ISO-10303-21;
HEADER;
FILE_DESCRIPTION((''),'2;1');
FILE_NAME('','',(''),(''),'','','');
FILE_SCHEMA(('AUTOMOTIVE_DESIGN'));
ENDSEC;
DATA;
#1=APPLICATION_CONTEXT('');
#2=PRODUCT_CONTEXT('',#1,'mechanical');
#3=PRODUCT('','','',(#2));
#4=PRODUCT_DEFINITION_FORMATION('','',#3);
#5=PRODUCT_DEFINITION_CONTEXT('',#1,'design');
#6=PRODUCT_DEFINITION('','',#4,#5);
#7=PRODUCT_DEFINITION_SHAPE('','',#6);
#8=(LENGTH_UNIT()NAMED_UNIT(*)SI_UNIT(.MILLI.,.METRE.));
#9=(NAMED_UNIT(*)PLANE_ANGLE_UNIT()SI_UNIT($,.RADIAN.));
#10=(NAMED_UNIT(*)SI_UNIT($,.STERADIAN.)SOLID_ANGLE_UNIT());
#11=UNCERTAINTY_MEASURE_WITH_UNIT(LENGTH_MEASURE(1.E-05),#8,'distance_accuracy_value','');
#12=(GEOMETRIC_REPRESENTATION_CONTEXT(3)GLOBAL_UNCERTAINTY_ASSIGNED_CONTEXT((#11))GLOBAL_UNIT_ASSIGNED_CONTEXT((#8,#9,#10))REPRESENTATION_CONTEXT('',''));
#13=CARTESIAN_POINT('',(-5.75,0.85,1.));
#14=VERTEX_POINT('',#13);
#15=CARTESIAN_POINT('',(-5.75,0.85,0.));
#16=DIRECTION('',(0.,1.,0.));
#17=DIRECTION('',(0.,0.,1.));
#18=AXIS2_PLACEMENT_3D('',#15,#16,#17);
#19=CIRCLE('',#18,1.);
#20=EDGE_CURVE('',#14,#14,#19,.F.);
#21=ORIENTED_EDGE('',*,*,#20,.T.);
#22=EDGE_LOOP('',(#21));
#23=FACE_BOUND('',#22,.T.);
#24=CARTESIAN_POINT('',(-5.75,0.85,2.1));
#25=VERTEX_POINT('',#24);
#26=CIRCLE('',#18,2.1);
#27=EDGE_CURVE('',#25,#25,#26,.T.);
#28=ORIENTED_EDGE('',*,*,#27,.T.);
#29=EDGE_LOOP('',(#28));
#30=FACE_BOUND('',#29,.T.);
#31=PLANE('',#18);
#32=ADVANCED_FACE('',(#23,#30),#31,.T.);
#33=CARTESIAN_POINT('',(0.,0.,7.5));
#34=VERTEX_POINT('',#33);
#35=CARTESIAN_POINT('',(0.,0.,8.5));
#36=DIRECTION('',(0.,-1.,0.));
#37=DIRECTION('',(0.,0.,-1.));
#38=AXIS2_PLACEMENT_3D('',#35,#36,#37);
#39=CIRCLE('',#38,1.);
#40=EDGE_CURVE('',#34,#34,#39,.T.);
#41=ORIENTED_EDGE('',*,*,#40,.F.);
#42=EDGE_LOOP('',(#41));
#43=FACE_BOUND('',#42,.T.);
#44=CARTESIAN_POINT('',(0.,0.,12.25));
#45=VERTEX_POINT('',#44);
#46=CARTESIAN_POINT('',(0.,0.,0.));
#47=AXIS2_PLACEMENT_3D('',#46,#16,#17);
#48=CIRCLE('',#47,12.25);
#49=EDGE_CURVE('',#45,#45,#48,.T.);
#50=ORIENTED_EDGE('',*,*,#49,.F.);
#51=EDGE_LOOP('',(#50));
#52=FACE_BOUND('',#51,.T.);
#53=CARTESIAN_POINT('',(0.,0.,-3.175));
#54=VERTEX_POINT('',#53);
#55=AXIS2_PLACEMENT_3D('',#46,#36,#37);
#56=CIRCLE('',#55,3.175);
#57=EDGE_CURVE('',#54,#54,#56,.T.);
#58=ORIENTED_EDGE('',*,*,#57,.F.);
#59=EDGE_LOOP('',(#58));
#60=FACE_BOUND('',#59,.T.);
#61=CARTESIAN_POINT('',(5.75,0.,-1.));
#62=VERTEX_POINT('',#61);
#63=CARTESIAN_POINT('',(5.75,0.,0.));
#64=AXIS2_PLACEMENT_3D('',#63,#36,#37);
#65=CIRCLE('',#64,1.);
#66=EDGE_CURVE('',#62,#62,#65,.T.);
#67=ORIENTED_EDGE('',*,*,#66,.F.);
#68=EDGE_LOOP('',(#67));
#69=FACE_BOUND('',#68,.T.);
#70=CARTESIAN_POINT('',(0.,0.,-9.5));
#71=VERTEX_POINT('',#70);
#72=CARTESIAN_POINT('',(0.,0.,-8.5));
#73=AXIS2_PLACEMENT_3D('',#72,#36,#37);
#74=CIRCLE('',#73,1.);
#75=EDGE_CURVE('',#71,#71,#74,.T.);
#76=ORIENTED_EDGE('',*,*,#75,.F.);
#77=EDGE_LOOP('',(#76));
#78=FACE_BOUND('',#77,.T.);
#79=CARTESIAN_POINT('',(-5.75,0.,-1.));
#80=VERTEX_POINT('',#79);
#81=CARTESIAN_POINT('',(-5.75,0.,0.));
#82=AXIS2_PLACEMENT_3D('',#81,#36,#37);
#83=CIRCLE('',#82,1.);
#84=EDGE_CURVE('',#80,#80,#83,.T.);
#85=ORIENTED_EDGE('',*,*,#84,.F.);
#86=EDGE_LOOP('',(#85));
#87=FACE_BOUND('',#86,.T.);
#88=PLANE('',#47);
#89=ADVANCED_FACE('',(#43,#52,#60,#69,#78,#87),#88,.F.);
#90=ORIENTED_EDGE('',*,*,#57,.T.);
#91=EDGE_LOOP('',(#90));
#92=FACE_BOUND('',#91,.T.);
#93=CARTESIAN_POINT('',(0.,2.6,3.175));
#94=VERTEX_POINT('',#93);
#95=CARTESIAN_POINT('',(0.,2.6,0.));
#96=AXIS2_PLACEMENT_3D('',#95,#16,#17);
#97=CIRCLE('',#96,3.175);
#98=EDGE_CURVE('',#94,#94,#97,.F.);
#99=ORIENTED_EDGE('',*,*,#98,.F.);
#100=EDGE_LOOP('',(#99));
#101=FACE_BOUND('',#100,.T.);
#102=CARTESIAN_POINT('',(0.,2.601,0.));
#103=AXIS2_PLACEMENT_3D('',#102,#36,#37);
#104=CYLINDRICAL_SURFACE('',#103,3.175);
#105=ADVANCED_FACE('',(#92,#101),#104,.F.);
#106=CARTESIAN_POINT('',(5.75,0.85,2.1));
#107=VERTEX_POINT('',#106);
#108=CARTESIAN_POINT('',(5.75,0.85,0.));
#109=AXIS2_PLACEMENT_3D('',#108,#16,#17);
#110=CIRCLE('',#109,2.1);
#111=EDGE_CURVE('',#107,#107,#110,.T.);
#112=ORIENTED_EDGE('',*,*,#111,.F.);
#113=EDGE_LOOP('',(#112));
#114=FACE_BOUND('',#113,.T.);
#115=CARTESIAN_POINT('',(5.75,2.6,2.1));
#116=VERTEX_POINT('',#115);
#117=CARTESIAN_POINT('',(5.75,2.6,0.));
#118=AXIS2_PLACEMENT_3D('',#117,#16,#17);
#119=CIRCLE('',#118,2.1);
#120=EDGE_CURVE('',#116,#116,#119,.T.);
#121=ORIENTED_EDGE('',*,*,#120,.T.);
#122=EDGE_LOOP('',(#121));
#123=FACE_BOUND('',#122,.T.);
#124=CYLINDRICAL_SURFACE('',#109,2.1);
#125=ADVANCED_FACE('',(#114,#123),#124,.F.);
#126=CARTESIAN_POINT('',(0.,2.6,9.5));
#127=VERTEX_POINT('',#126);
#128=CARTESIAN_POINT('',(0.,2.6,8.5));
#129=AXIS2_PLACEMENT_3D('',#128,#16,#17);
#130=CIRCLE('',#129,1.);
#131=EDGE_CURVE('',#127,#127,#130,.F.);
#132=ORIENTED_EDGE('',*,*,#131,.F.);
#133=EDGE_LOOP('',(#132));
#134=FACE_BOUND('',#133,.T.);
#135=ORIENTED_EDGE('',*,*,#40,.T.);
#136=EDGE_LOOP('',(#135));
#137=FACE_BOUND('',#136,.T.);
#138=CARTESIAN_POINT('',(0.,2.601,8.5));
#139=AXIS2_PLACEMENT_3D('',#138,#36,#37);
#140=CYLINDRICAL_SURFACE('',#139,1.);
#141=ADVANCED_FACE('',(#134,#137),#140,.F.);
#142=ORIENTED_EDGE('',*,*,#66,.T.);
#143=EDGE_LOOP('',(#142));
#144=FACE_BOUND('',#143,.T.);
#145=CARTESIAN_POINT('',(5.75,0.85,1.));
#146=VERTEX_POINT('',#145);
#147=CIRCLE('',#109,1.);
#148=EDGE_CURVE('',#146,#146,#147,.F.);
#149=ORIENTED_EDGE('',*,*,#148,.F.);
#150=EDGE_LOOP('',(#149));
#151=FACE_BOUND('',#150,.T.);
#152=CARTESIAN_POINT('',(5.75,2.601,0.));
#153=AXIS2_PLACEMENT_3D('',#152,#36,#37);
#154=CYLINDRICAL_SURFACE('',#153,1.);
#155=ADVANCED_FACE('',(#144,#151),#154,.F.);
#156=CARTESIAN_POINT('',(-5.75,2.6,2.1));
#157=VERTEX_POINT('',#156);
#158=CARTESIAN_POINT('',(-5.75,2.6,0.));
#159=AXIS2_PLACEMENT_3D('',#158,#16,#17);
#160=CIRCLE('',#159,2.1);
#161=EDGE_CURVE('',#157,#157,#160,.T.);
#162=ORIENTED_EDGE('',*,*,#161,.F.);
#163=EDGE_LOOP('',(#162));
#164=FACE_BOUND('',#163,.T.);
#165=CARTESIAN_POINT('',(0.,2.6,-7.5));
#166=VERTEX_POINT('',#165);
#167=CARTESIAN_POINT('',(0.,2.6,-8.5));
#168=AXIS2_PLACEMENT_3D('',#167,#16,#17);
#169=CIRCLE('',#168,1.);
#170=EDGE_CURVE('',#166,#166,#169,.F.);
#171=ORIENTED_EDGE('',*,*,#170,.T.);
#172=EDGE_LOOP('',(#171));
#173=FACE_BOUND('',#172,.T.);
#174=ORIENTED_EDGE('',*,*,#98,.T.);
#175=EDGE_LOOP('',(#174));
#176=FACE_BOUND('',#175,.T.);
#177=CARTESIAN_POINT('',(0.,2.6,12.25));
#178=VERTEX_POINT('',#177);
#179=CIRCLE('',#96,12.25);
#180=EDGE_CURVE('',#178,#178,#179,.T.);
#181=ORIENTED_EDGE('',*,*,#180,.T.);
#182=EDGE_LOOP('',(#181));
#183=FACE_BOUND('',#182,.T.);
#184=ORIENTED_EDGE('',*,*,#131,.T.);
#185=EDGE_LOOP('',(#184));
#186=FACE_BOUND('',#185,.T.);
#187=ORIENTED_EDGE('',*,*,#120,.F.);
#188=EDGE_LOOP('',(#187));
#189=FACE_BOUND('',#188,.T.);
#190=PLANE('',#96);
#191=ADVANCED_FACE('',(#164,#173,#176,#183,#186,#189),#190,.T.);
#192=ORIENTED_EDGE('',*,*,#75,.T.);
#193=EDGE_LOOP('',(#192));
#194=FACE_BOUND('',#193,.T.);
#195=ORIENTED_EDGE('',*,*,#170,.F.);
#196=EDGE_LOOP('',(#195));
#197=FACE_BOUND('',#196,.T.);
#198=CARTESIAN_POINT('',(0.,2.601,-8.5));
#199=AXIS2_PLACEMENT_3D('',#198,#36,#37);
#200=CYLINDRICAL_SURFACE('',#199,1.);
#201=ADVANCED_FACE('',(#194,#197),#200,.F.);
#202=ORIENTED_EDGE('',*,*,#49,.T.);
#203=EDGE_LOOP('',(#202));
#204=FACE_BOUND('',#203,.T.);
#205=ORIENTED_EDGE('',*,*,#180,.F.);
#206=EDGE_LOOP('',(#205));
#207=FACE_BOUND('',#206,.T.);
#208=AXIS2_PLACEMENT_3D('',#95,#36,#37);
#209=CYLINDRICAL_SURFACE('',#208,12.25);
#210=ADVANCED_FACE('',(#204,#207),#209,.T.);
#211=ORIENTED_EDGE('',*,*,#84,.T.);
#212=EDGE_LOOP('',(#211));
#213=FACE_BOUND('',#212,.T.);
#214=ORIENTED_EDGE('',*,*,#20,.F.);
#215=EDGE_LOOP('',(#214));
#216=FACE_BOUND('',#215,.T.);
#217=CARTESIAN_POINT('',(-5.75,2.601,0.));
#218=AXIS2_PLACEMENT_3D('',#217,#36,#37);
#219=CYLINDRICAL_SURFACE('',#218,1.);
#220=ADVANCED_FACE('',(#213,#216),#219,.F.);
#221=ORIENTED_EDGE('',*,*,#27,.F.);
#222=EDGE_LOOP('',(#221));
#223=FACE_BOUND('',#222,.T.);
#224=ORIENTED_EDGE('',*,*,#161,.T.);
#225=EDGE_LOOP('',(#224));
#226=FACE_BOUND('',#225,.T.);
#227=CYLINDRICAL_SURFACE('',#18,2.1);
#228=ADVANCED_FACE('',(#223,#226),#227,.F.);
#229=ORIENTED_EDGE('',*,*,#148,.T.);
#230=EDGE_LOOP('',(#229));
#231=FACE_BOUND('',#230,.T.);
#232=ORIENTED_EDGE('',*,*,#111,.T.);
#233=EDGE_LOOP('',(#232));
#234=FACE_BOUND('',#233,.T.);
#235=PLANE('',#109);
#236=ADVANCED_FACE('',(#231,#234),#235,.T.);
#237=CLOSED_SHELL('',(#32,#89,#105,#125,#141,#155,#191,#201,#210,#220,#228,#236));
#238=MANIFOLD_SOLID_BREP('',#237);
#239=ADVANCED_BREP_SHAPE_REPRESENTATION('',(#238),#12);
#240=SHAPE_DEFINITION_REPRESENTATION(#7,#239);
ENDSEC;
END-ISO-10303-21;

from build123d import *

# Parameters (mm, degrees)
SKETCH1_R           = 12.25
BOSS_EXTRUDE1_DEPTH = 2.6
CUT_EXTRUDE1_REACH  = 19.518
SKETCH2_R           = 3.175
SKETCH2_R_2         = 1
SKETCH3_R           = 2.1
CUT_EXTRUDE2_DEPTH  = 1.75


with BuildPart() as part:
    # Sketch1 → Boss-Extrude1 (new body)
    with BuildSketch(Plane(origin=(0, 0, 0), x_dir=(1, 0, 0), z_dir=(0, 1, 0))):
        with Locations(Location((0, 0, 0), (0, 0, 270))):
            Circle(SKETCH1_R)
    extrude(amount=BOSS_EXTRUDE1_DEPTH)

    # Sketch2 → Cut-Extrude1 (cut, up to next)
    with BuildSketch(Plane.XZ, mode=Mode.PRIVATE) as cut_extrude1_sk1:
        with Locations(Location((0, 0, 0), (0, 0, 270))):
            Circle(SKETCH2_R)
    cut_extrude1_tool1 = extrude(cut_extrude1_sk1.sketch, amount=-CUT_EXTRUDE1_REACH, mode=Mode.PRIVATE) & part.part
    # Sketch2 → Cut-Extrude1 (cut, up to next)
    with BuildSketch(Plane.XZ, mode=Mode.PRIVATE) as cut_extrude1_sk2:
        with Locations(Location((0, 8.5, 0), (0, 0, 270))):
            Circle(SKETCH2_R_2)
    cut_extrude1_tool2 = extrude(cut_extrude1_sk2.sketch, amount=-CUT_EXTRUDE1_REACH, mode=Mode.PRIVATE) & part.part
    # Sketch2 → Cut-Extrude1 (cut, up to next)
    with BuildSketch(Plane.XZ, mode=Mode.PRIVATE) as cut_extrude1_sk3:
        with Locations(Location((0, -8.5, 0), (0, 0, 270))):
            Circle(SKETCH2_R_2)
    cut_extrude1_tool3 = extrude(cut_extrude1_sk3.sketch, amount=-CUT_EXTRUDE1_REACH, mode=Mode.PRIVATE) & part.part
    # Sketch2 → Cut-Extrude1 (cut, up to next)
    with BuildSketch(Plane.XZ, mode=Mode.PRIVATE) as cut_extrude1_sk4:
        with Locations(Location((-5.75, 0, 0), (0, 0, 270))):
            Circle(SKETCH2_R_2)
    cut_extrude1_tool4 = extrude(cut_extrude1_sk4.sketch, amount=-CUT_EXTRUDE1_REACH, mode=Mode.PRIVATE) & part.part
    # Sketch2 → Cut-Extrude1 (cut, up to next)
    with BuildSketch(Plane.XZ, mode=Mode.PRIVATE) as cut_extrude1_sk5:
        with Locations(Location((5.75, 0, 0), (0, 0, 270))):
            Circle(SKETCH2_R_2)
    cut_extrude1_tool5 = extrude(cut_extrude1_sk5.sketch, amount=-CUT_EXTRUDE1_REACH, mode=Mode.PRIVATE) & part.part
    add(cut_extrude1_tool1.solids().sort_by_distance((0, 0, 0))[0], mode=Mode.SUBTRACT)
    add(cut_extrude1_tool2.solids().sort_by_distance((0, 0, 8.5))[0], mode=Mode.SUBTRACT)
    add(cut_extrude1_tool3.solids().sort_by_distance((0, 0, -8.5))[0], mode=Mode.SUBTRACT)
    add(cut_extrude1_tool4.solids().sort_by_distance((-5.75, 0, 0))[0], mode=Mode.SUBTRACT)
    add(cut_extrude1_tool5.solids().sort_by_distance((5.75, 0, 0))[0], mode=Mode.SUBTRACT)

    # Sketch3 → Cut-Extrude2 (cut)
    with BuildSketch(Plane(origin=(0, 2.6, 0), x_dir=(1, 0, 0), z_dir=(0, 1, 0))):
        with Locations(Location((-5.75, 0, 0), (0, 0, 270))):
            Circle(SKETCH3_R)
        with Locations(Location((5.75, 0, 0), (0, 0, 270))):
            Circle(SKETCH3_R)
    extrude(amount=-CUT_EXTRUDE2_DEPTH, mode=Mode.SUBTRACT)


solid = part.part
